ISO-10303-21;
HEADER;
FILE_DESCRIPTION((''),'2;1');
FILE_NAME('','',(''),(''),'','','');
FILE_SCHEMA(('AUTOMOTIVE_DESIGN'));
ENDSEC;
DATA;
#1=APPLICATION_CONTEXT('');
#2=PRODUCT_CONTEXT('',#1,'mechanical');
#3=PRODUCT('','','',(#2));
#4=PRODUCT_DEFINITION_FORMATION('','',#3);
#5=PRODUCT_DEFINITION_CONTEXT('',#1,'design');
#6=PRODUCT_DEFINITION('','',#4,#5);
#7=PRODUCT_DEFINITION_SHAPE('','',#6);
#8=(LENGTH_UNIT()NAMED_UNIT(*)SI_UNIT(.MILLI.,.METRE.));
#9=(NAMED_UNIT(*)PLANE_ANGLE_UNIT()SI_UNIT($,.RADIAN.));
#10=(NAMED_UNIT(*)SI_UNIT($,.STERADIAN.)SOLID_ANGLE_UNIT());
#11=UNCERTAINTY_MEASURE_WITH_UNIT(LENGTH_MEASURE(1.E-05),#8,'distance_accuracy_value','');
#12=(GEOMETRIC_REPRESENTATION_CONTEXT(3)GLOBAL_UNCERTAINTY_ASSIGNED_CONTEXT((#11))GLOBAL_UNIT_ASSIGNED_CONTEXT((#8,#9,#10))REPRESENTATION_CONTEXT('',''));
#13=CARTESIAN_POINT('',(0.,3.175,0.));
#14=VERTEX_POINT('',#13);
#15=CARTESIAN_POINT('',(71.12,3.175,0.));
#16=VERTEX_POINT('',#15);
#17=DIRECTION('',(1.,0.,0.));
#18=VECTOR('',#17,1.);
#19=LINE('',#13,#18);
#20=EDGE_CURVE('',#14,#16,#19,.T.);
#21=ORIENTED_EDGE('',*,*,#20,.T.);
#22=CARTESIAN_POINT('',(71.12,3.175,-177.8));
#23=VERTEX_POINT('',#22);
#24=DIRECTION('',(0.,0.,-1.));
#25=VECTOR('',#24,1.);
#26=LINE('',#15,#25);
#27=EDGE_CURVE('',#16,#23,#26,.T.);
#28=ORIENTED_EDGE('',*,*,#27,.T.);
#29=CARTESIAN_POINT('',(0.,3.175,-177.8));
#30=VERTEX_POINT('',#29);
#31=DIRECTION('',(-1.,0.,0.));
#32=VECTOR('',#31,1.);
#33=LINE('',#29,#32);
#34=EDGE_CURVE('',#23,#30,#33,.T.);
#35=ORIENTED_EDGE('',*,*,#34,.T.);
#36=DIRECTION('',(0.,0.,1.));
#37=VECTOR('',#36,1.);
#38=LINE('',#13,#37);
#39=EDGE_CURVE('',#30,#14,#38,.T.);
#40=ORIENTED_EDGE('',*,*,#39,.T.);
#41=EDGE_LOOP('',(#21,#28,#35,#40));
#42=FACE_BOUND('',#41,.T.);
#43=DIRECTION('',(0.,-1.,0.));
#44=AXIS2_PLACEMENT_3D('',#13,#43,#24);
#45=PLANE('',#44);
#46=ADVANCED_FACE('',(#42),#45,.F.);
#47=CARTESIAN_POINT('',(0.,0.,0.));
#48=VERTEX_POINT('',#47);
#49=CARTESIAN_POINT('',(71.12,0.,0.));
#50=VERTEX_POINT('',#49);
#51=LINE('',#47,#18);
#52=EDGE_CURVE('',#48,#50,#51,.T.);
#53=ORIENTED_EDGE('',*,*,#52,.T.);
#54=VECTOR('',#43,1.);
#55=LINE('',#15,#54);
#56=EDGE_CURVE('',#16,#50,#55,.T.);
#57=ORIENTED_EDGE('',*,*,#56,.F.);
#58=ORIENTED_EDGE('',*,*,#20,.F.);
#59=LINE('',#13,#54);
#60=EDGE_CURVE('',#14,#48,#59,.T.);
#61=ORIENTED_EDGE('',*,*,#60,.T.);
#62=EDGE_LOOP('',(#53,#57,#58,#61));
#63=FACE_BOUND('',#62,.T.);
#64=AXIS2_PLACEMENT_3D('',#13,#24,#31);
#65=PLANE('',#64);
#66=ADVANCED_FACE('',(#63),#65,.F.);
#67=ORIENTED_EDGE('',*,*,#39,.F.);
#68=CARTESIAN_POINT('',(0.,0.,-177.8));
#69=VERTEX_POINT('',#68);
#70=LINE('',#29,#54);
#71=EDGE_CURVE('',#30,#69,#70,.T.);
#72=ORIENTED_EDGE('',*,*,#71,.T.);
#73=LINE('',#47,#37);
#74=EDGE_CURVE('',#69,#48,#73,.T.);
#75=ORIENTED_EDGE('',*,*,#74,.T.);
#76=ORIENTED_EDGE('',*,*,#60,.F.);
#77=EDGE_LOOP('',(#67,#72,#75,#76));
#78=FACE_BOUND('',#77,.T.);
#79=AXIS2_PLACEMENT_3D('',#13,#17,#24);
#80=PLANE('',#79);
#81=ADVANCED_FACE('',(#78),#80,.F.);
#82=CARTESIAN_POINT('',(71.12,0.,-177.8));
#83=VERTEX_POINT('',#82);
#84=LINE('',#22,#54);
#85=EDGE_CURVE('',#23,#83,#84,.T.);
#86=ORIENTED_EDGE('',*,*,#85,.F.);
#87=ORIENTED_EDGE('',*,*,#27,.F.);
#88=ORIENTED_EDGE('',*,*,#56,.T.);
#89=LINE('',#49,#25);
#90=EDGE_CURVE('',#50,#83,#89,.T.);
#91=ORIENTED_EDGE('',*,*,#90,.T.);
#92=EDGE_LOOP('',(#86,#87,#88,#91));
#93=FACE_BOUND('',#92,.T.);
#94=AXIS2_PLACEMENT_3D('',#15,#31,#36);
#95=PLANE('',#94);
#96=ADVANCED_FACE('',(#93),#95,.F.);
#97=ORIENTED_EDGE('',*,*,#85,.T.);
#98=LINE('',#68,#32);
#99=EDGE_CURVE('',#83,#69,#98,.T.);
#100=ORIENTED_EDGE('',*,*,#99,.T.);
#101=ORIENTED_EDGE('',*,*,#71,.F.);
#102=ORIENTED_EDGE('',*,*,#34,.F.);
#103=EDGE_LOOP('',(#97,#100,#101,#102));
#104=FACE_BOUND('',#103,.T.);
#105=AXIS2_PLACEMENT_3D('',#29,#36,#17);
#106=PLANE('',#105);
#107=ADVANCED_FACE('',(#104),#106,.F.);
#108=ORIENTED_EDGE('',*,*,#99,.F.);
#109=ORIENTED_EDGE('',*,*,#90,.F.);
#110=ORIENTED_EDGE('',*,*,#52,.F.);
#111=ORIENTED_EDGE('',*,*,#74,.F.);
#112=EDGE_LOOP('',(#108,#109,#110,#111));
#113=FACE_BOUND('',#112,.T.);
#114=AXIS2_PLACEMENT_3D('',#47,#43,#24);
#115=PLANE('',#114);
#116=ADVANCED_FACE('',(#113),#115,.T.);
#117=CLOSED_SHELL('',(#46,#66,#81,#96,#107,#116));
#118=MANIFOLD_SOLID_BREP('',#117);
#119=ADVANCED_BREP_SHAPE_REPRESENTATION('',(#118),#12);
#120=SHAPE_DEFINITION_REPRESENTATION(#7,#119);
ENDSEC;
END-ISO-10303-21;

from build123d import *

# Parameters (mm, degrees)
SKETCH1_W           = 71.12
SKETCH1_H           = 177.8
BOSS_EXTRUDE1_DEPTH = 3.175


with BuildPart() as part:
    # Sketch1 → Boss-Extrude1 (new body)
    with BuildSketch(Plane(origin=(0, 0, 0), x_dir=(1, 0, 0), z_dir=(0, 1, 0))):
        with Locations((35.56, 88.9)):
            Rectangle(SKETCH1_W, SKETCH1_H)
    extrude(amount=BOSS_EXTRUDE1_DEPTH)


solid = part.part
